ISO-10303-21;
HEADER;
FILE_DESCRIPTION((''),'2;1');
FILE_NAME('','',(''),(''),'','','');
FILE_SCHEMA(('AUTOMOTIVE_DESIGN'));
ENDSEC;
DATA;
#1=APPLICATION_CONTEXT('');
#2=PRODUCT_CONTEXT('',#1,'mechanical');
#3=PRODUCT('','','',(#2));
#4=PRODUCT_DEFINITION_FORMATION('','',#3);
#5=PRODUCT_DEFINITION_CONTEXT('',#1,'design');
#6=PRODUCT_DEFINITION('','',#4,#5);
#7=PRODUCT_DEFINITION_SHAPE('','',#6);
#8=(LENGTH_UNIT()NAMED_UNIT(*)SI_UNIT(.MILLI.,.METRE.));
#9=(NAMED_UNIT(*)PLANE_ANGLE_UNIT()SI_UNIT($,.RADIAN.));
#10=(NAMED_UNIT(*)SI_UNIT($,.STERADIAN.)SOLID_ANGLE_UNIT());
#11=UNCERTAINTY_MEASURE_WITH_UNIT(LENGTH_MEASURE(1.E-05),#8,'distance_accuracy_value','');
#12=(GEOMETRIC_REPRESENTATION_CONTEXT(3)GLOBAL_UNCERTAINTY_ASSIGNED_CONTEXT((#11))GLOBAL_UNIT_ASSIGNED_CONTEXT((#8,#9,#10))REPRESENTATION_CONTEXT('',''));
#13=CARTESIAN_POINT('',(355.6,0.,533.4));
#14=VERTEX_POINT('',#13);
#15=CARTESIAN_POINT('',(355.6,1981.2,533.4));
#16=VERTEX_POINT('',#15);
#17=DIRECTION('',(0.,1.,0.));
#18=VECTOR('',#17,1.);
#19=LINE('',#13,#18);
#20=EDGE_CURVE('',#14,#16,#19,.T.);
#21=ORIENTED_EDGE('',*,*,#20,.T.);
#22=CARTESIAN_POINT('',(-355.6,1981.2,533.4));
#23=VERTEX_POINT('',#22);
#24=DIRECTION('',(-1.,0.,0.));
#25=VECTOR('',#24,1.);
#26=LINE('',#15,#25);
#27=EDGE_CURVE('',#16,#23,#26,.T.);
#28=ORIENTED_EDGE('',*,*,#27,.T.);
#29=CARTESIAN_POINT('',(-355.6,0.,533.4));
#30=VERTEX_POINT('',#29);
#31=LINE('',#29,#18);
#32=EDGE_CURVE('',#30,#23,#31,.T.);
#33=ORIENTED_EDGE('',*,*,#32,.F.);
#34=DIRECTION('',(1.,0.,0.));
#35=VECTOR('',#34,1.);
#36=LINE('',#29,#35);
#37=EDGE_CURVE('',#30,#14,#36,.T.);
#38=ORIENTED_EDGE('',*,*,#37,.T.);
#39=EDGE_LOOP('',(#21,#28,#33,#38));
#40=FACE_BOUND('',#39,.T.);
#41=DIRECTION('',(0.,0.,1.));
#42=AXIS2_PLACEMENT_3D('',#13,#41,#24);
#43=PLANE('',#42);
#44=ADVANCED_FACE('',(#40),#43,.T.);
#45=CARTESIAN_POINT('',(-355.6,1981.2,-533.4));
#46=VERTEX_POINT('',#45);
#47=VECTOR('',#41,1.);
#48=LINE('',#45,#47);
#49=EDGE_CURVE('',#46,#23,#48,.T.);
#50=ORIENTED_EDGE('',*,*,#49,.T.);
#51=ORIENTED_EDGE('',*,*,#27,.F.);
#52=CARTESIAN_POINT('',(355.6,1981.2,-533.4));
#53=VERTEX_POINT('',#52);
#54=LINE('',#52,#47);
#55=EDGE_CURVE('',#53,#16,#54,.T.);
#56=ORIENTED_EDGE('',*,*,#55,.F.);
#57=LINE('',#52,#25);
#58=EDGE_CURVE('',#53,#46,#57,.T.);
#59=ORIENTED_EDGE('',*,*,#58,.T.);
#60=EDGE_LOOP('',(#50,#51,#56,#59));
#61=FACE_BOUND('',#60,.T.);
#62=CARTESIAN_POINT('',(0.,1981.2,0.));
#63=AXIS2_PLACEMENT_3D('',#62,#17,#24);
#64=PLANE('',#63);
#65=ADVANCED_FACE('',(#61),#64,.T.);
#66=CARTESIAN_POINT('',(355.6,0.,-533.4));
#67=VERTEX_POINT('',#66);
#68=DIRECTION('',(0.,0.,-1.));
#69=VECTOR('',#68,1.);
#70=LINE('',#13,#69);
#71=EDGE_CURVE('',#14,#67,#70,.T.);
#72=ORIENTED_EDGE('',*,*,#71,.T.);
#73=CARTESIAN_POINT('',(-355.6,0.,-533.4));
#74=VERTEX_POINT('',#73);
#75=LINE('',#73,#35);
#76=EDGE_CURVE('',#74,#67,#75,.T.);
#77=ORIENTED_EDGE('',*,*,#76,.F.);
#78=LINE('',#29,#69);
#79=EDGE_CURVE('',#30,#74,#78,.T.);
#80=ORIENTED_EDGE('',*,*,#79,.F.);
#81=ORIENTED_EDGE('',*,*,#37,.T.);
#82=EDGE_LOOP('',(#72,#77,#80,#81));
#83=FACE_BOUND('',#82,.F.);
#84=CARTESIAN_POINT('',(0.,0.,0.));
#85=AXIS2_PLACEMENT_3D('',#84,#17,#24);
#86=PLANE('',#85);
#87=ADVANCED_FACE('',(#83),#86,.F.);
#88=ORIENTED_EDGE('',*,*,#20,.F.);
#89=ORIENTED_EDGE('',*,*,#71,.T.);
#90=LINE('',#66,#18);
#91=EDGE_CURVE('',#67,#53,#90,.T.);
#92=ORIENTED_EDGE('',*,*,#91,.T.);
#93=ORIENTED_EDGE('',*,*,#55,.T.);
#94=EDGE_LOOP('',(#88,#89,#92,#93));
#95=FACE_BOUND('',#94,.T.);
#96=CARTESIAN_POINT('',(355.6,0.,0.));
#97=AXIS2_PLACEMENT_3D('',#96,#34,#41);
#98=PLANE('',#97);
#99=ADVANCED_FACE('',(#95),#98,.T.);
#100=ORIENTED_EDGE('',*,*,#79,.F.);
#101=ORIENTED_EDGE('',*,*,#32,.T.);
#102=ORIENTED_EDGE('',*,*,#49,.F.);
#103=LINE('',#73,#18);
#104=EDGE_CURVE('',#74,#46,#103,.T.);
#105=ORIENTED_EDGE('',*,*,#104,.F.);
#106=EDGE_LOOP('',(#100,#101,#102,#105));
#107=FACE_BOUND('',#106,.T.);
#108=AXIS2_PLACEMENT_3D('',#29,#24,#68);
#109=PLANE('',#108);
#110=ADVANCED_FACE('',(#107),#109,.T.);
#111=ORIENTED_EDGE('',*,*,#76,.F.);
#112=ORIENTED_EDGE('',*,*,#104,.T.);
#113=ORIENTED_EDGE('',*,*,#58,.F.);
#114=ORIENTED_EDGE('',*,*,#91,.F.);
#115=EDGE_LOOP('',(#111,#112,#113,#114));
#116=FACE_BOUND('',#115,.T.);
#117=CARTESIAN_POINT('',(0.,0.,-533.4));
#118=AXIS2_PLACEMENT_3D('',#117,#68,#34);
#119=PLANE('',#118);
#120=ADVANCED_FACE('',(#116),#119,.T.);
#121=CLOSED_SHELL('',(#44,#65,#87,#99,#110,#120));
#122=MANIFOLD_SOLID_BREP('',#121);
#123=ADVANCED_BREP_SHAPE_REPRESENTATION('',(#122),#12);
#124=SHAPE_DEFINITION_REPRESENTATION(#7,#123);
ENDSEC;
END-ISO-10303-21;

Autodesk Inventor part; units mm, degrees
ref_plane "YZ Plane" through (0, 0, 0) normal (1, 0, 0) x (0, 1, 0)
ref_plane "XZ Plane" through (0, 0, 0) normal (0, 1, 0) x (-1, 0, 0)
ref_plane "XY Plane" through (0, 0, 0) normal (0, 0, 1) x (1, 0, 0)
sketch "Sketch1" plane through (0, 0, 0) normal (0, 1, 0) x (-1, 0, 0)
  line L0 (-355.6, 533.4) -> (355.6, 533.4)
  line L1 (355.6, 533.4) -> (355.6, -533.4)
  line L2 (355.6, -533.4) -> (-355.6, -533.4)
  line L3 (-355.6, -533.4) -> (-355.6, 533.4)
  line L4 (-497.84, 0) -> (497.84, 0) projected
  line L5 (0, -746.76) -> (0, 746.76) projected
  point P0 (0, 0)
  dimension "d0" = 711.2
  dimension "d1" = 1066.8
extrude "Extrusion1" add sketch "Sketch1" along normal blind 1981.2
properties part number "AllowedEnvelope" material "Glass"
